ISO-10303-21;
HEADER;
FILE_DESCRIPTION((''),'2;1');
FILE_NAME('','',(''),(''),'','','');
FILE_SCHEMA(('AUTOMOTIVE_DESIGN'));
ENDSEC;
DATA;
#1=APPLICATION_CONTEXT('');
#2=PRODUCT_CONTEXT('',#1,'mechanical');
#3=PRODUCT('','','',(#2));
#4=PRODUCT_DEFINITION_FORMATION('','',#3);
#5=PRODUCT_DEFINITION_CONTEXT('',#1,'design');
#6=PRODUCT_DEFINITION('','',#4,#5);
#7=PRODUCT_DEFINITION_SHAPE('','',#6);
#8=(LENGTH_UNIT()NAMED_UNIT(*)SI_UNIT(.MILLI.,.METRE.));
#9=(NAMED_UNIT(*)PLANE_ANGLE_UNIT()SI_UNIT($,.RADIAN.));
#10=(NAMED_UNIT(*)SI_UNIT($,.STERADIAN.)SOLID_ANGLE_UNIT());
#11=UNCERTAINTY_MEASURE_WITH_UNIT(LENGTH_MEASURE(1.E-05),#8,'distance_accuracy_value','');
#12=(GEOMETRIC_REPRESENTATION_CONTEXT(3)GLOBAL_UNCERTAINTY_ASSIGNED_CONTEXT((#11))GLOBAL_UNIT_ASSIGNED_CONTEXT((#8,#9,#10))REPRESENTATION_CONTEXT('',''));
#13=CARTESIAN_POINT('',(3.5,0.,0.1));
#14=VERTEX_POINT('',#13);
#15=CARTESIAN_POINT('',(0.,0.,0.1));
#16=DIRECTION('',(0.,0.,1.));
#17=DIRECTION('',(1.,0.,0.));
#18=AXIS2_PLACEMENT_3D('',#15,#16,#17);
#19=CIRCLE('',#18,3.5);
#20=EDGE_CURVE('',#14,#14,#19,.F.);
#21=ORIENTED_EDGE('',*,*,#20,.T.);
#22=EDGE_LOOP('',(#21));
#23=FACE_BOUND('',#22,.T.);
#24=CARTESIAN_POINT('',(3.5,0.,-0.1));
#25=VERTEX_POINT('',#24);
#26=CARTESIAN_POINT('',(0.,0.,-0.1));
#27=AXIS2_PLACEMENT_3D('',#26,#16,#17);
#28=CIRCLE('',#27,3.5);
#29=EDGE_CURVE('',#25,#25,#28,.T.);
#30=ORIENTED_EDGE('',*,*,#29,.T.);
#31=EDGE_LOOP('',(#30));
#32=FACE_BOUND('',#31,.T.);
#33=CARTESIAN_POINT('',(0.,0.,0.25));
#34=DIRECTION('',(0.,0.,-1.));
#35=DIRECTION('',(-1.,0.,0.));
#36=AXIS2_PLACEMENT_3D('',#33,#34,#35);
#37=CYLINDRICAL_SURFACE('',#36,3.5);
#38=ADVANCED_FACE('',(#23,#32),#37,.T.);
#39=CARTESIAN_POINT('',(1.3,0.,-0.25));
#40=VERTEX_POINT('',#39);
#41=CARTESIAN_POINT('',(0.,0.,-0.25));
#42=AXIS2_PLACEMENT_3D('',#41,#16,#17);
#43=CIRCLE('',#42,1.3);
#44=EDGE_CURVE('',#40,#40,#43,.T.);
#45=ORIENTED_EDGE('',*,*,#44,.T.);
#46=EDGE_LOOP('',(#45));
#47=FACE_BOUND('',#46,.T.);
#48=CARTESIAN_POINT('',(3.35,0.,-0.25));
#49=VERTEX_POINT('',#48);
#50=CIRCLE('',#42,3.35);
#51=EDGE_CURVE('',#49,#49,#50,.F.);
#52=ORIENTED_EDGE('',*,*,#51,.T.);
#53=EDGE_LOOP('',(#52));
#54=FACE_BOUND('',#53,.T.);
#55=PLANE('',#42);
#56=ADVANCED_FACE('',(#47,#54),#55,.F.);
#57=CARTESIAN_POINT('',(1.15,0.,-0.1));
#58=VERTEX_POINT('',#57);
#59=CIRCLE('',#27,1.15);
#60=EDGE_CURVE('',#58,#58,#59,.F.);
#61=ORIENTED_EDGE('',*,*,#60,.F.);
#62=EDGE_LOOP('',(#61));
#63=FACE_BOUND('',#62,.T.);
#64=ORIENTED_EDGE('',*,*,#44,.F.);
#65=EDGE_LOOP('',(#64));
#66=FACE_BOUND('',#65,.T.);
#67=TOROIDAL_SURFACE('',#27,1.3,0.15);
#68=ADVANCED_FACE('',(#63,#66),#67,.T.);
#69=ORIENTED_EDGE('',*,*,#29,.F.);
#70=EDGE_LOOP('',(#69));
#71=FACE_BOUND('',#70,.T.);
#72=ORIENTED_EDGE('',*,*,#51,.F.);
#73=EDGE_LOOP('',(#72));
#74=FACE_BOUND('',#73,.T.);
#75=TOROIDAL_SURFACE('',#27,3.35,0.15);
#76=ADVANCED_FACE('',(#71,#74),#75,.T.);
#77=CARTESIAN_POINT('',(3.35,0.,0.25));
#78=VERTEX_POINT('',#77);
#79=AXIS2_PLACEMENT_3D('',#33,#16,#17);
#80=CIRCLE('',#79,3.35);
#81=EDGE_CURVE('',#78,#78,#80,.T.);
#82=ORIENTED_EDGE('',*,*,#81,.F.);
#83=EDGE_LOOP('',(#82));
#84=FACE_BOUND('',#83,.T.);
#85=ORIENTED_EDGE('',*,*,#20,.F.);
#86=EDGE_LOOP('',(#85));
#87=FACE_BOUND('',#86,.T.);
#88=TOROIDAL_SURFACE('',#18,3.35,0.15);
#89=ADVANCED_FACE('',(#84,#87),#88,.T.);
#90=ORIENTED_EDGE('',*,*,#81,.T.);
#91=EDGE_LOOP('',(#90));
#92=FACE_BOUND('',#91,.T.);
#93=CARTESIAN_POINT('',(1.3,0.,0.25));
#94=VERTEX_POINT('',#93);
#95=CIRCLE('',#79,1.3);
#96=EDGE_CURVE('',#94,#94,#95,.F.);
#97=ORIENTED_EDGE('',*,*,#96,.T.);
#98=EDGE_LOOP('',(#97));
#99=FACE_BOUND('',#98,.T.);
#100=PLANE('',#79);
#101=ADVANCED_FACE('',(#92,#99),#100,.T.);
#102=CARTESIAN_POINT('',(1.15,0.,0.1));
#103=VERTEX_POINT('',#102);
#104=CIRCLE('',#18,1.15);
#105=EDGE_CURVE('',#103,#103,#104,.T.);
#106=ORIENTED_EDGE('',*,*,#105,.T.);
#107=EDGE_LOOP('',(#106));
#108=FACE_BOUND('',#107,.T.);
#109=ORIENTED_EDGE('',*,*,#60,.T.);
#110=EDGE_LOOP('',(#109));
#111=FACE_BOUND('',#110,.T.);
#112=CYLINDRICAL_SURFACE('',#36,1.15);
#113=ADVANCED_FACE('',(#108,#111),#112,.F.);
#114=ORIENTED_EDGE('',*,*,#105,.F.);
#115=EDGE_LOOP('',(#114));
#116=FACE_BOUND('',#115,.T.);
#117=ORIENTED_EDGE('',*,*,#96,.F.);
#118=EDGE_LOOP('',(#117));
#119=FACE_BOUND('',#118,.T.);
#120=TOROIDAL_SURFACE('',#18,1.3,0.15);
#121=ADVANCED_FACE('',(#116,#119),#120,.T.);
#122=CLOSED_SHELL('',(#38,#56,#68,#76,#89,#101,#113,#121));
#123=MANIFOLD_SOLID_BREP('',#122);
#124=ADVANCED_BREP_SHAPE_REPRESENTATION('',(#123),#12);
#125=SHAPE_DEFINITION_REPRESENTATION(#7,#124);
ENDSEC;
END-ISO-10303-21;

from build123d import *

# Parameters (mm, degrees)
SKETCH1_R      = 3.5
SKETCH1_R_2    = 1.15
EXTRUDE1_DEPTH = 0.25
FILLET1_R      = 0.15


with BuildPart() as part:
    # Sketch1 → Extrude1 (new body, symmetric)
    with BuildSketch(Plane.XY):
        Circle(SKETCH1_R)
        Circle(SKETCH1_R_2, mode=Mode.SUBTRACT)
    extrude(amount=EXTRUDE1_DEPTH, both=True)

    # Fillet1
    fillet1_edges = [part.edges().sort_by_distance(p)[0] for p in [
        (-3.5, 0, -0.25),
        (-3.5, 0, 0.25),
        (-1.15, 0, -0.25),
        (-1.15, 0, 0.25),
    ]]
    fillet(fillet1_edges, radius=FILLET1_R)


solid = part.part
